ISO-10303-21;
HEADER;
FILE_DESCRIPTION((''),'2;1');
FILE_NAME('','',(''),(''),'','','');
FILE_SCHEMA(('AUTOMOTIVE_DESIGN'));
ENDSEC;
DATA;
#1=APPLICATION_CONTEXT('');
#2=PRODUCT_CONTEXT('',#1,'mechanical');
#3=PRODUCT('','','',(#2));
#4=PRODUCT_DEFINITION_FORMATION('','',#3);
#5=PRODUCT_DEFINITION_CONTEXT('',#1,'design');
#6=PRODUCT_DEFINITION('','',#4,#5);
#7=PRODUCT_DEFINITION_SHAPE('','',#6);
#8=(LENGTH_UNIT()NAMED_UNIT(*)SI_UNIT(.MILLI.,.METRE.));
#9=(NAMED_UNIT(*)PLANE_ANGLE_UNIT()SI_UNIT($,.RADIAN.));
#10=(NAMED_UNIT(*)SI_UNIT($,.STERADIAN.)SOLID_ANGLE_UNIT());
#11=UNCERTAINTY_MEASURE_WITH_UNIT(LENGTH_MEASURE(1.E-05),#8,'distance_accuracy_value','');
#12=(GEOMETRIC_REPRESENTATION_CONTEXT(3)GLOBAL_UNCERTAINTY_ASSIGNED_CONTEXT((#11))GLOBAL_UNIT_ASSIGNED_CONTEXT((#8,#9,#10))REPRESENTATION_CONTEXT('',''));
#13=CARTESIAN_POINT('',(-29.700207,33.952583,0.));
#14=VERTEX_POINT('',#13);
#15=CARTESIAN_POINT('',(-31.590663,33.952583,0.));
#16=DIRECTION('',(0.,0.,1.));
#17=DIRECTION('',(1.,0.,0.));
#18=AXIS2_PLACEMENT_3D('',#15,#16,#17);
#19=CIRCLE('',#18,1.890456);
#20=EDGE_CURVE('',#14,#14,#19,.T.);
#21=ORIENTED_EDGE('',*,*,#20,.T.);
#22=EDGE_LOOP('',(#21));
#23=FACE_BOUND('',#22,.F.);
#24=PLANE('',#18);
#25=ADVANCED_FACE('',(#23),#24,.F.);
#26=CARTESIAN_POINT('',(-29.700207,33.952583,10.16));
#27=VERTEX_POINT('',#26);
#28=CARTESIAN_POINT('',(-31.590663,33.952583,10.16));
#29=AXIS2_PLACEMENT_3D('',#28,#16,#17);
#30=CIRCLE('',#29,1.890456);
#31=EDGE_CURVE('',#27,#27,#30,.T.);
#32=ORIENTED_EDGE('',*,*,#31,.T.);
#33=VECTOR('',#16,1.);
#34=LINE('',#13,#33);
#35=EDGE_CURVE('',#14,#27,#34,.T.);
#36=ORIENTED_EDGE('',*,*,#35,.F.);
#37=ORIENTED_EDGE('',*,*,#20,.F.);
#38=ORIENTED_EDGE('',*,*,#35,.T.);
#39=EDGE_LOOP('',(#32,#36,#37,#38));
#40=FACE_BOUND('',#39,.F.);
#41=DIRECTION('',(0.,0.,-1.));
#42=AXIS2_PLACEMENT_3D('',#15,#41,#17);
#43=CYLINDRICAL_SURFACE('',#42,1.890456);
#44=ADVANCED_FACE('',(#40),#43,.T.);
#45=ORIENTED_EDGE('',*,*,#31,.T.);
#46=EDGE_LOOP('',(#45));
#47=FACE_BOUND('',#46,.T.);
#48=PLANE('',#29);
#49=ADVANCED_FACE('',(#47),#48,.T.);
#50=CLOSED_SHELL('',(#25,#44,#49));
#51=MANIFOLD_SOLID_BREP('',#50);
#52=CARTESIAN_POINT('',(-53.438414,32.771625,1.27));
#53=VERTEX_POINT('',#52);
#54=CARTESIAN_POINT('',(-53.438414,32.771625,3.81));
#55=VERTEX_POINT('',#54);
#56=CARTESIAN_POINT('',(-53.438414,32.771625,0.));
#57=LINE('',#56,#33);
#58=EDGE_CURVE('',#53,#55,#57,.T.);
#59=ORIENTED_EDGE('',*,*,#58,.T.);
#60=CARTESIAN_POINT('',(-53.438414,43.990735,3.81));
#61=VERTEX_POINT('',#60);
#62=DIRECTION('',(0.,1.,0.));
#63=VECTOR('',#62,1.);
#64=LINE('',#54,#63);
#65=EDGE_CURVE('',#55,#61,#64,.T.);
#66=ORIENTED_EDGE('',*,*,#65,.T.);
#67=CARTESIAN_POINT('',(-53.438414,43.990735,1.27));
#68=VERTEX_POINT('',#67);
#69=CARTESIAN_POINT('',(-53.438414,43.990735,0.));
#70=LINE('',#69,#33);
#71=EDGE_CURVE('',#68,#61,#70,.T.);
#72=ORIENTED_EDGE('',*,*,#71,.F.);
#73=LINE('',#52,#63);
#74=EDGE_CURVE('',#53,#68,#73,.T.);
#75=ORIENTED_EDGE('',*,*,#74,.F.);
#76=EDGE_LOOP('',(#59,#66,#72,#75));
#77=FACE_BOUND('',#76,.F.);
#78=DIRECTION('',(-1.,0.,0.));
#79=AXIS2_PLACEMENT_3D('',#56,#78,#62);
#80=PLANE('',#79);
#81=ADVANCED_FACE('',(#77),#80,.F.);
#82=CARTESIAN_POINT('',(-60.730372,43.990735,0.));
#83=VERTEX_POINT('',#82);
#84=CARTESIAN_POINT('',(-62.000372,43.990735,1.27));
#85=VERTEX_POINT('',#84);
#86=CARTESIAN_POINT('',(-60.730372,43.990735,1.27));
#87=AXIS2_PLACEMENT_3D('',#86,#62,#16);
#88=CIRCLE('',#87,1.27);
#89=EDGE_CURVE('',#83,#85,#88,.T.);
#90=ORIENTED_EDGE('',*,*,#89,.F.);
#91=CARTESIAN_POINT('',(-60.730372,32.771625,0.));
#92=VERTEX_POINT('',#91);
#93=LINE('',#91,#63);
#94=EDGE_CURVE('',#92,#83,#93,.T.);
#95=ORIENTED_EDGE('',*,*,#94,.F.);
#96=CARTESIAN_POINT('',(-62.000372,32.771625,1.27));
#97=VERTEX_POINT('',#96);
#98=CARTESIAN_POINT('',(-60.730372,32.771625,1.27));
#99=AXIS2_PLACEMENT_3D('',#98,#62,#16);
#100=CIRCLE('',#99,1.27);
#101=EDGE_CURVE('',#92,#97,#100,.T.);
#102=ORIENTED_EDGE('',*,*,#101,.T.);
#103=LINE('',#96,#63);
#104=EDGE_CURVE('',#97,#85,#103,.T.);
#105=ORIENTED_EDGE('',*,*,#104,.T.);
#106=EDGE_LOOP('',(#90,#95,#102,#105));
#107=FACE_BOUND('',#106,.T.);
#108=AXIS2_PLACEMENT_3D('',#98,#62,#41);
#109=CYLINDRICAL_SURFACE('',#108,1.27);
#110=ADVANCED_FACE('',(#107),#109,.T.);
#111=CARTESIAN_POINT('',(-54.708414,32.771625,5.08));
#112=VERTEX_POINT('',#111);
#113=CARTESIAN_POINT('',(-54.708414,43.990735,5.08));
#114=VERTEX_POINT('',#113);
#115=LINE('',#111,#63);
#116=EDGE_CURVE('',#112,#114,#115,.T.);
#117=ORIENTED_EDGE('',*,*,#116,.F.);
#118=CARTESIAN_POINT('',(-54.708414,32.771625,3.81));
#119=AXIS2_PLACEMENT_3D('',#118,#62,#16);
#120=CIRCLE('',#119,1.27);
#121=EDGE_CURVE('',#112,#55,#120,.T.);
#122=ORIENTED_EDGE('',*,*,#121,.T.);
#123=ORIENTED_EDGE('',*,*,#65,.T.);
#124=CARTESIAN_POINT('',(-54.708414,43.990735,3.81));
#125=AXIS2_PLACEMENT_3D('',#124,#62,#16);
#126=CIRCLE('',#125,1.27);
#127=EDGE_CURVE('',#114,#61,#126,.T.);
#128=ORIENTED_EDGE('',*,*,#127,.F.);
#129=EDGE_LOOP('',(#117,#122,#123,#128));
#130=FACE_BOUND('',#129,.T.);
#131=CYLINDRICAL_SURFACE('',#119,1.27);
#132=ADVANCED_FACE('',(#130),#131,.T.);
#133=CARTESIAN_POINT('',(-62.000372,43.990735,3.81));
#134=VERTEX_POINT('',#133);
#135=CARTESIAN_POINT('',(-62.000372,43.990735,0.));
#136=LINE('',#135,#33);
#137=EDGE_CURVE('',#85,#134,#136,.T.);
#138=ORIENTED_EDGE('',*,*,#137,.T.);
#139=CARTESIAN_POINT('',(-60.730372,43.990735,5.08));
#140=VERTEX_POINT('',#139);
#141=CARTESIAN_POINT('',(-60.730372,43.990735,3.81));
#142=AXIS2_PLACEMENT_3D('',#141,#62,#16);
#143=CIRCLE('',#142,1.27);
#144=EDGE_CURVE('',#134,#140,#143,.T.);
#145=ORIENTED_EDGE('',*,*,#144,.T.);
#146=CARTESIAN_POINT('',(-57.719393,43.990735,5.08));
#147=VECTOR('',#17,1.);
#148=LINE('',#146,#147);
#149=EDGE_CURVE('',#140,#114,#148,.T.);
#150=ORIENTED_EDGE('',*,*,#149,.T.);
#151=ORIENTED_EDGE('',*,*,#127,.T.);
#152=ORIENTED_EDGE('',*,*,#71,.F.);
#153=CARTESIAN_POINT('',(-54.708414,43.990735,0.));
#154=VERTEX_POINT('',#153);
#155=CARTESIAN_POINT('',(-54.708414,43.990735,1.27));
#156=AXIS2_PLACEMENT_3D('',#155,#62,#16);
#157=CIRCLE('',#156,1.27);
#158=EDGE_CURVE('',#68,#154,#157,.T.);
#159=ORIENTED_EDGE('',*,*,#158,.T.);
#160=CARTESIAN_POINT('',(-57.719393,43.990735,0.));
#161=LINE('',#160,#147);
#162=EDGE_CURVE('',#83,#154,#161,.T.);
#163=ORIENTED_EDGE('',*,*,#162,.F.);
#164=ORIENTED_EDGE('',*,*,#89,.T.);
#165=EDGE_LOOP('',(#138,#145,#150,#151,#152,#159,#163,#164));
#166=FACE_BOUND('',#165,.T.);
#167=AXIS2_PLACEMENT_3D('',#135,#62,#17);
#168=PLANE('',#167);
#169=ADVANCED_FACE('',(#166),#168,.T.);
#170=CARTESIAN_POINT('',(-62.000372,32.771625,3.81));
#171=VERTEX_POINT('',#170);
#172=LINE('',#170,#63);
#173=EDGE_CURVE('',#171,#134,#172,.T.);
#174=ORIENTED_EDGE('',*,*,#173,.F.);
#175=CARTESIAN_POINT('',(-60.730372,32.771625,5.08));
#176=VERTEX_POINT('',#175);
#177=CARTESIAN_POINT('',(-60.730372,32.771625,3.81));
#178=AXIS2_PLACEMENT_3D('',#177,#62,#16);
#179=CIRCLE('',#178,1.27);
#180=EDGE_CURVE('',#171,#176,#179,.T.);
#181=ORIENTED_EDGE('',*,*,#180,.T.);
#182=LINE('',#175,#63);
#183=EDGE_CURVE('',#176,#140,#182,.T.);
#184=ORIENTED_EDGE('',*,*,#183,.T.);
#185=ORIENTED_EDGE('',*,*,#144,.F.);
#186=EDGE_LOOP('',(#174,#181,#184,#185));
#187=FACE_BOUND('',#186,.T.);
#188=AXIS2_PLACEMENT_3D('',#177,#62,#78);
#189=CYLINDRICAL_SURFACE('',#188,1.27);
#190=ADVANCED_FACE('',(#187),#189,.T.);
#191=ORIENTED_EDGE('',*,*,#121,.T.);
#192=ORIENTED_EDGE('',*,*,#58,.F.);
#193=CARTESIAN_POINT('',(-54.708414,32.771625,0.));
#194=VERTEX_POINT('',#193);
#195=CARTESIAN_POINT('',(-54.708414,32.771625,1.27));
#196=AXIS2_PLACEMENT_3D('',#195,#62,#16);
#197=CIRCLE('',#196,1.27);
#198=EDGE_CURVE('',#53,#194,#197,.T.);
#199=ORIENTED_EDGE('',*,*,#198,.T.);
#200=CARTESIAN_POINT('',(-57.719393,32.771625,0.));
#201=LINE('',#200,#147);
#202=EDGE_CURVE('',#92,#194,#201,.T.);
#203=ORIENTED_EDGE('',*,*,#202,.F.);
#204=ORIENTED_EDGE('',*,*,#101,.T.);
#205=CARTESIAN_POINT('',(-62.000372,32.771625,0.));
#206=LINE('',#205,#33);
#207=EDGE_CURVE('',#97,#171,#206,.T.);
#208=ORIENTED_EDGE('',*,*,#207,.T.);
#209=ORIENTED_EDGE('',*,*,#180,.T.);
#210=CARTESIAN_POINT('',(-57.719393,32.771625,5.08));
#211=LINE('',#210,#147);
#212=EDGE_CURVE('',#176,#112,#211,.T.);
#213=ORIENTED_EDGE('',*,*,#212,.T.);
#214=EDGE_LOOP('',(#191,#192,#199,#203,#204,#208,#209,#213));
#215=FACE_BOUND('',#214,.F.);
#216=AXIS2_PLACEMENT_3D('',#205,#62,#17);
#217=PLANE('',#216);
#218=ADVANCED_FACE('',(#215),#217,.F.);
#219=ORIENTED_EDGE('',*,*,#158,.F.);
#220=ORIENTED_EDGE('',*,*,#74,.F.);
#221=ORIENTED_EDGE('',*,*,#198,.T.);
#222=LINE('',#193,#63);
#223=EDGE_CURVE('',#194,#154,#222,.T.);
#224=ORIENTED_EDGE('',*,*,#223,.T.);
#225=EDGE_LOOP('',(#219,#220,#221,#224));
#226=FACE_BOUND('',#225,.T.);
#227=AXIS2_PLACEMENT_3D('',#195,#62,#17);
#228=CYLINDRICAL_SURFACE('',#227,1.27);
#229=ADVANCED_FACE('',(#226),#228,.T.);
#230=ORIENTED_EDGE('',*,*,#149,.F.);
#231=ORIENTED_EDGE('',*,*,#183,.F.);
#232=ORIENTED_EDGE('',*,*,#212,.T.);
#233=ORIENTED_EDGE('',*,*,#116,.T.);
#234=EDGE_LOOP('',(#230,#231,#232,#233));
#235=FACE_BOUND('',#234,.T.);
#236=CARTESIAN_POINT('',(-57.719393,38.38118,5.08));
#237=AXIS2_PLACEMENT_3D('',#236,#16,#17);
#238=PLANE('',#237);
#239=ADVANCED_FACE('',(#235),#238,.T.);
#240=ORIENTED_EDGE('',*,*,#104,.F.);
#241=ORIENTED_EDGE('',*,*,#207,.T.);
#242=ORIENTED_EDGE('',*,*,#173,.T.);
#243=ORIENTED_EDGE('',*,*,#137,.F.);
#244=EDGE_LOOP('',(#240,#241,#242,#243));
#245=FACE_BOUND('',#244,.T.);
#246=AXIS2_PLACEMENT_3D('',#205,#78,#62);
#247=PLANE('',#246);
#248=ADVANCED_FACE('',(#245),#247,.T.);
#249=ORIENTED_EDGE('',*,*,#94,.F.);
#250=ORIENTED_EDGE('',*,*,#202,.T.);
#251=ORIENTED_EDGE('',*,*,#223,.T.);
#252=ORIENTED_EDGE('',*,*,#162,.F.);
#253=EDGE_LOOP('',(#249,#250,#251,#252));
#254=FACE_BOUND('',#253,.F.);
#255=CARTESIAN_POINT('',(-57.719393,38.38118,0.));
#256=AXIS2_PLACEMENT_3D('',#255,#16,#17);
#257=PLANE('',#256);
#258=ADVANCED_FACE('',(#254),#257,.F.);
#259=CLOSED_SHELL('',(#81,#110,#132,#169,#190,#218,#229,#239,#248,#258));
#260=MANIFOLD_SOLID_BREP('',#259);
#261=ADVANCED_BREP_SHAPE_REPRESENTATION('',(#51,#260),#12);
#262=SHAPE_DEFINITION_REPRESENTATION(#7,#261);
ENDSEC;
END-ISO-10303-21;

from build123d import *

# Parameters (mm, degrees)
F0_R     = 1.890456
F1_DEPTH = 10.16
F2_W     = 8.561958
F2_H     = 11.21911
F3_DEPTH = 5.08
F4_R     = 1.27
F5_R     = 1.27
F6_R     = 1.27
F7_R     = 1.27


with BuildPart() as f1:
    # F0 (on Top) → F1 (new body)
    with BuildSketch(Plane.XY):
        with Locations((-31.590663, 33.952583)):
            Circle(F0_R)
    extrude(amount=F1_DEPTH)


with BuildPart() as f3:
    # F2 (on Top) → F3 (new body)
    with BuildSketch(Plane.XY):
        with Locations((-57.719393, 38.38118)):
            Rectangle(F2_W, F2_H)
    extrude(amount=F3_DEPTH)

    # F4
    f4_edges = [f3.edges().sort_by_distance(p)[0] for p in [
        (-62.000372, 38.38118, 5.08),
    ]]
    fillet(f4_edges, radius=F4_R)

    # F5
    f5_edges = [f3.edges().sort_by_distance(p)[0] for p in [
        (-53.438414, 38.38118, 5.08),
    ]]
    fillet(f5_edges, radius=F5_R)

    # F6
    f6_edges = [f3.edges().sort_by_distance(p)[0] for p in [
        (-53.438414, 38.38118, 0),
    ]]
    fillet(f6_edges, radius=F6_R)

    # F7
    f7_edges = [f3.edges().sort_by_distance(p)[0] for p in [
        (-62.000372, 38.38118, 0),
    ]]
    fillet(f7_edges, radius=F7_R)


solid = Compound([f1.part, f3.part])
